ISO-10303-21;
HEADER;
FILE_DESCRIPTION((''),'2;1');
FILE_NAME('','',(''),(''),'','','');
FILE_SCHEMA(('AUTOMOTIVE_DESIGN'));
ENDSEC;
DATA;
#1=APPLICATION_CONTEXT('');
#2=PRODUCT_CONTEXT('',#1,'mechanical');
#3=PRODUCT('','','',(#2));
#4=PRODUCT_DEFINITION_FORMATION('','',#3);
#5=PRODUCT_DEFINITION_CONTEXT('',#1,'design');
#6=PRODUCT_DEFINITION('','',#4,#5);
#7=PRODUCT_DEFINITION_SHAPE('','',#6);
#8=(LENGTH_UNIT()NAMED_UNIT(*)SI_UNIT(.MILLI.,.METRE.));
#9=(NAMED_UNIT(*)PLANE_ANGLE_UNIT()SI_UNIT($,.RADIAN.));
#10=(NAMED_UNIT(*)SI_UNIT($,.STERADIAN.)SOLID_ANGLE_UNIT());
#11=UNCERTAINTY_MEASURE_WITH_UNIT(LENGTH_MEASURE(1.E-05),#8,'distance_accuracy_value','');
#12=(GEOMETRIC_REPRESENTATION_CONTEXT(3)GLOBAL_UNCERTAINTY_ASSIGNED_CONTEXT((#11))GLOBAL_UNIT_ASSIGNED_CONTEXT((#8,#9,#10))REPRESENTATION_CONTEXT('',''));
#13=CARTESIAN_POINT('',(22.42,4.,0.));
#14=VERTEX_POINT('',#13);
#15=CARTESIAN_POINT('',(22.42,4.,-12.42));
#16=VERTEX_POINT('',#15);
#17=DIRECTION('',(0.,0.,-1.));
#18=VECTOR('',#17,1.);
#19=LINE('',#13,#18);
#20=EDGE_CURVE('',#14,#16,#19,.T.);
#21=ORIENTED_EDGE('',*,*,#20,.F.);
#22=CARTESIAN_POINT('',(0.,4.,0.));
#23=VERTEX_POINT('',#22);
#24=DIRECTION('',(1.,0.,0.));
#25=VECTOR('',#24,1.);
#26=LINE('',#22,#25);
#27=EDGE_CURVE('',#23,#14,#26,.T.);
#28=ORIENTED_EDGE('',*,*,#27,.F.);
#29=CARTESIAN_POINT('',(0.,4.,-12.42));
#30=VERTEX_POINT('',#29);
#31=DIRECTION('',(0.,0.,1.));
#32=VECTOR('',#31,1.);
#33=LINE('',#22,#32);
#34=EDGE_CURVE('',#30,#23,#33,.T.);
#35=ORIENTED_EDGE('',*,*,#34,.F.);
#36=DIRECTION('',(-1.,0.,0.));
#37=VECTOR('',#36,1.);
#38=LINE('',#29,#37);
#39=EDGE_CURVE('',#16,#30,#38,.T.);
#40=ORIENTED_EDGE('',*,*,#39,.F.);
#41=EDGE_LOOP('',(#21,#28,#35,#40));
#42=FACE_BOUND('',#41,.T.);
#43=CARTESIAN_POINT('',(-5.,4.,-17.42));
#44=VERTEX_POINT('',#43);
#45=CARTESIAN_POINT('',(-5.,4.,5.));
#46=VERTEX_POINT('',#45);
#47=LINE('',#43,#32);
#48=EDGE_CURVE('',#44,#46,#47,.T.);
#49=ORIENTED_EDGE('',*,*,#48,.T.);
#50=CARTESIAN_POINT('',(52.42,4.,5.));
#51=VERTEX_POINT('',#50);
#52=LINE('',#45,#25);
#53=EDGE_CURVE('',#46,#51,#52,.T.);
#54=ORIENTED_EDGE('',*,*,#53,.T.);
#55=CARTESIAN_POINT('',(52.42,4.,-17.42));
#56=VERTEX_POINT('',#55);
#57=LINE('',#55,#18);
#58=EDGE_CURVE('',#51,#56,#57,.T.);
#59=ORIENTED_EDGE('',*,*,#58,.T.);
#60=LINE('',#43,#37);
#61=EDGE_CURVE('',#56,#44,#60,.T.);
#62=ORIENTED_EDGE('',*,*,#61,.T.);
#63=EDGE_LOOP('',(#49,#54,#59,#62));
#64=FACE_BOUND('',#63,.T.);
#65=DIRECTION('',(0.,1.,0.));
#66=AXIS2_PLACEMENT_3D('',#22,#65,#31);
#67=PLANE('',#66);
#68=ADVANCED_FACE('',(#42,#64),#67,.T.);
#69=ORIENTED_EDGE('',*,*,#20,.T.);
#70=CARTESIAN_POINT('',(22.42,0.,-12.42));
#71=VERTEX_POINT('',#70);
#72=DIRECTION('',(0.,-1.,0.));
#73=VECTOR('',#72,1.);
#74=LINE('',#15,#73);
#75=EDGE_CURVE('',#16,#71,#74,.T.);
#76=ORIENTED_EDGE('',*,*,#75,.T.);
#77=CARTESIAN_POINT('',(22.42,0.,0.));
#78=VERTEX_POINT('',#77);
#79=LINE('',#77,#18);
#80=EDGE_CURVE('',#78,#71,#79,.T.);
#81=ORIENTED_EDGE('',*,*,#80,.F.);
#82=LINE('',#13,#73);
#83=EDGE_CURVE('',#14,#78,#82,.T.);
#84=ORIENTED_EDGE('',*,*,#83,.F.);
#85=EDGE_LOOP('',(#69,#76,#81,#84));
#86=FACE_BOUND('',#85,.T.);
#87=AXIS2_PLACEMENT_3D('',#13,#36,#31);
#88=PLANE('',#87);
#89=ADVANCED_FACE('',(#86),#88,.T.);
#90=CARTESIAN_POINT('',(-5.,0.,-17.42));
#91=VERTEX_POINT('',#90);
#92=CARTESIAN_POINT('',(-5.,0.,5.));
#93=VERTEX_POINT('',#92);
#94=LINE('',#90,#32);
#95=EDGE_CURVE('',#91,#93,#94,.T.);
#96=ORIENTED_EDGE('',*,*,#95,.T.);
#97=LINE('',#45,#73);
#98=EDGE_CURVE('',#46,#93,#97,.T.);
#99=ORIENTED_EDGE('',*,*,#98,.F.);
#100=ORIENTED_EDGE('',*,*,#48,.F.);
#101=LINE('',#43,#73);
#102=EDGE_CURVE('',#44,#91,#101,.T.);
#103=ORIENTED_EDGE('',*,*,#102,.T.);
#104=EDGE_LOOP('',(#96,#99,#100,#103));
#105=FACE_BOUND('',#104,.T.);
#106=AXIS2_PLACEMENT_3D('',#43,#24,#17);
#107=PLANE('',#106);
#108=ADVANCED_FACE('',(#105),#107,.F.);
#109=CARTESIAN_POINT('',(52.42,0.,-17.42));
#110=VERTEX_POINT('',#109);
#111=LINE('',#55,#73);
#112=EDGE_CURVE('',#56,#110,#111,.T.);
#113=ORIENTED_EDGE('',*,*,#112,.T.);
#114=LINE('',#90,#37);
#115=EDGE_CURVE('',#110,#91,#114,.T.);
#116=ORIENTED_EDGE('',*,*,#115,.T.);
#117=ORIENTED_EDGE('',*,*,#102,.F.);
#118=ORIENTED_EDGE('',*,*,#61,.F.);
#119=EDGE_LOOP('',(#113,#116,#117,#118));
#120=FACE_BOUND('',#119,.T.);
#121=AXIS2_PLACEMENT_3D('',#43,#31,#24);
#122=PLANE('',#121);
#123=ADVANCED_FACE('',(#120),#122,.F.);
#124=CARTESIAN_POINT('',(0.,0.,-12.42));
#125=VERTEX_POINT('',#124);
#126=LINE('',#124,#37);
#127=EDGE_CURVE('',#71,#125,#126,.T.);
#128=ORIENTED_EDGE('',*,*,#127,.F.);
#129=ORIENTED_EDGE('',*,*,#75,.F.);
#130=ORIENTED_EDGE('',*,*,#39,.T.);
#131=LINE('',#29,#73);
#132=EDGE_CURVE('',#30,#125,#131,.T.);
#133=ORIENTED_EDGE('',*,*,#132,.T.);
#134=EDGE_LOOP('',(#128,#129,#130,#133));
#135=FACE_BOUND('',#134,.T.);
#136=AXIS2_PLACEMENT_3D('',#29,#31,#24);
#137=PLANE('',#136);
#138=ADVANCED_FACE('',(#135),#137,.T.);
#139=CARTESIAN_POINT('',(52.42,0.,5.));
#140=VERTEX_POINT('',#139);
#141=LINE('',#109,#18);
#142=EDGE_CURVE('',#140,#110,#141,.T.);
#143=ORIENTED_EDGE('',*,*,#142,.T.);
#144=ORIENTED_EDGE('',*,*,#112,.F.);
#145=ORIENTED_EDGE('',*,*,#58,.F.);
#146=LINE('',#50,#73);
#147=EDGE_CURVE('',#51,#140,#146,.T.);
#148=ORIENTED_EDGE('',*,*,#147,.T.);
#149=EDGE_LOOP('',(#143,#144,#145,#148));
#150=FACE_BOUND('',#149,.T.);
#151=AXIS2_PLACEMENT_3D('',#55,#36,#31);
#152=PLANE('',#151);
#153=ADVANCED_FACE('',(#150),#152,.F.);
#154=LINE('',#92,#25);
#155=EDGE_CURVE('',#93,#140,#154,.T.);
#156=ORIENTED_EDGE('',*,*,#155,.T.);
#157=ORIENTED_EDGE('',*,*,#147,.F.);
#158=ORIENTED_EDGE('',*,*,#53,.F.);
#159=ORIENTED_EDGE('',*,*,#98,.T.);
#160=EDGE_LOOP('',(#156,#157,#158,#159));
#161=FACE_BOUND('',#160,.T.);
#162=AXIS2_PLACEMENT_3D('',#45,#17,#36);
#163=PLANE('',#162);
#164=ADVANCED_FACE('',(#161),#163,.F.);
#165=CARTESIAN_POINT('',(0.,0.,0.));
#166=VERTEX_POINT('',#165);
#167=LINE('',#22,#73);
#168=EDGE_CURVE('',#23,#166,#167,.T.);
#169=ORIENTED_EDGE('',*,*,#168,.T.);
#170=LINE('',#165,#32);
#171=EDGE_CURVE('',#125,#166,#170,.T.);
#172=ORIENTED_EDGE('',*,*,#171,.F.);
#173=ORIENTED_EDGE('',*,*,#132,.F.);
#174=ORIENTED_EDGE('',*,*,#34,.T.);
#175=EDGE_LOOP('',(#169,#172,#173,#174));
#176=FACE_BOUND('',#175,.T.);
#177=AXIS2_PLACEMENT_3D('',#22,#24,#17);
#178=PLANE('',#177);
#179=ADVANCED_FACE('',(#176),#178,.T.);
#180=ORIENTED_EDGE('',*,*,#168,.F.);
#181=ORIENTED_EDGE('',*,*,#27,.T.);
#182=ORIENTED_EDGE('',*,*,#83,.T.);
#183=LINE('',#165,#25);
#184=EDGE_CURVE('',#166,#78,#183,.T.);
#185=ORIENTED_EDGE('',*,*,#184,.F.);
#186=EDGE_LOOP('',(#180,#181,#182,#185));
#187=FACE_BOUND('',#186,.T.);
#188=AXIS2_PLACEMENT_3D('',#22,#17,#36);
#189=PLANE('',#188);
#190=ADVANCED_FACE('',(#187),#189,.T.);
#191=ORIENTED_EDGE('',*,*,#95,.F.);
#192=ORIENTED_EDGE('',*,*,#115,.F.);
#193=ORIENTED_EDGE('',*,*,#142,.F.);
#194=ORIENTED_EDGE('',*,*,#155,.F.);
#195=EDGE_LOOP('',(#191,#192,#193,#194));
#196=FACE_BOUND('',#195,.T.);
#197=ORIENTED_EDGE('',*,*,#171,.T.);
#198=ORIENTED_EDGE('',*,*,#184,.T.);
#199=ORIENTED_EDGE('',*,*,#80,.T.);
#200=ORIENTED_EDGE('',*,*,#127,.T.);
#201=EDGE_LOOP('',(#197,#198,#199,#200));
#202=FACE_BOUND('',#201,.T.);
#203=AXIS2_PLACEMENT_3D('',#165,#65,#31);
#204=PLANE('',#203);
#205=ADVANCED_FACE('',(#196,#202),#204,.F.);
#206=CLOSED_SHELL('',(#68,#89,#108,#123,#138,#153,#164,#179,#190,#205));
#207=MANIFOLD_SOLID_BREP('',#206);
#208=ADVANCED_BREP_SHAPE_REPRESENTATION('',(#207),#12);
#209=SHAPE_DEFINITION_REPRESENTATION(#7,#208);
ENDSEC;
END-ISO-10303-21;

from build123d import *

# Parameters (mm, degrees)
SKETCH1_W           = 57.42
SKETCH1_H           = 22.42
SKETCH1_W_2         = 22.42
SKETCH1_H_2         = 12.42
BOSS_EXTRUDE1_DEPTH = 4


with BuildPart() as part:
    # Sketch1 → Boss-Extrude1 (new body)
    with BuildSketch(Plane(origin=(0, 0, 0), x_dir=(1, 0, 0), z_dir=(0, 1, 0))):
        with Locations((23.71, 6.21)):
            Rectangle(SKETCH1_W, SKETCH1_H)
        with Locations((11.21, 6.21)):
            Rectangle(SKETCH1_W_2, SKETCH1_H_2, mode=Mode.SUBTRACT)
    extrude(amount=BOSS_EXTRUDE1_DEPTH)


solid = part.part
